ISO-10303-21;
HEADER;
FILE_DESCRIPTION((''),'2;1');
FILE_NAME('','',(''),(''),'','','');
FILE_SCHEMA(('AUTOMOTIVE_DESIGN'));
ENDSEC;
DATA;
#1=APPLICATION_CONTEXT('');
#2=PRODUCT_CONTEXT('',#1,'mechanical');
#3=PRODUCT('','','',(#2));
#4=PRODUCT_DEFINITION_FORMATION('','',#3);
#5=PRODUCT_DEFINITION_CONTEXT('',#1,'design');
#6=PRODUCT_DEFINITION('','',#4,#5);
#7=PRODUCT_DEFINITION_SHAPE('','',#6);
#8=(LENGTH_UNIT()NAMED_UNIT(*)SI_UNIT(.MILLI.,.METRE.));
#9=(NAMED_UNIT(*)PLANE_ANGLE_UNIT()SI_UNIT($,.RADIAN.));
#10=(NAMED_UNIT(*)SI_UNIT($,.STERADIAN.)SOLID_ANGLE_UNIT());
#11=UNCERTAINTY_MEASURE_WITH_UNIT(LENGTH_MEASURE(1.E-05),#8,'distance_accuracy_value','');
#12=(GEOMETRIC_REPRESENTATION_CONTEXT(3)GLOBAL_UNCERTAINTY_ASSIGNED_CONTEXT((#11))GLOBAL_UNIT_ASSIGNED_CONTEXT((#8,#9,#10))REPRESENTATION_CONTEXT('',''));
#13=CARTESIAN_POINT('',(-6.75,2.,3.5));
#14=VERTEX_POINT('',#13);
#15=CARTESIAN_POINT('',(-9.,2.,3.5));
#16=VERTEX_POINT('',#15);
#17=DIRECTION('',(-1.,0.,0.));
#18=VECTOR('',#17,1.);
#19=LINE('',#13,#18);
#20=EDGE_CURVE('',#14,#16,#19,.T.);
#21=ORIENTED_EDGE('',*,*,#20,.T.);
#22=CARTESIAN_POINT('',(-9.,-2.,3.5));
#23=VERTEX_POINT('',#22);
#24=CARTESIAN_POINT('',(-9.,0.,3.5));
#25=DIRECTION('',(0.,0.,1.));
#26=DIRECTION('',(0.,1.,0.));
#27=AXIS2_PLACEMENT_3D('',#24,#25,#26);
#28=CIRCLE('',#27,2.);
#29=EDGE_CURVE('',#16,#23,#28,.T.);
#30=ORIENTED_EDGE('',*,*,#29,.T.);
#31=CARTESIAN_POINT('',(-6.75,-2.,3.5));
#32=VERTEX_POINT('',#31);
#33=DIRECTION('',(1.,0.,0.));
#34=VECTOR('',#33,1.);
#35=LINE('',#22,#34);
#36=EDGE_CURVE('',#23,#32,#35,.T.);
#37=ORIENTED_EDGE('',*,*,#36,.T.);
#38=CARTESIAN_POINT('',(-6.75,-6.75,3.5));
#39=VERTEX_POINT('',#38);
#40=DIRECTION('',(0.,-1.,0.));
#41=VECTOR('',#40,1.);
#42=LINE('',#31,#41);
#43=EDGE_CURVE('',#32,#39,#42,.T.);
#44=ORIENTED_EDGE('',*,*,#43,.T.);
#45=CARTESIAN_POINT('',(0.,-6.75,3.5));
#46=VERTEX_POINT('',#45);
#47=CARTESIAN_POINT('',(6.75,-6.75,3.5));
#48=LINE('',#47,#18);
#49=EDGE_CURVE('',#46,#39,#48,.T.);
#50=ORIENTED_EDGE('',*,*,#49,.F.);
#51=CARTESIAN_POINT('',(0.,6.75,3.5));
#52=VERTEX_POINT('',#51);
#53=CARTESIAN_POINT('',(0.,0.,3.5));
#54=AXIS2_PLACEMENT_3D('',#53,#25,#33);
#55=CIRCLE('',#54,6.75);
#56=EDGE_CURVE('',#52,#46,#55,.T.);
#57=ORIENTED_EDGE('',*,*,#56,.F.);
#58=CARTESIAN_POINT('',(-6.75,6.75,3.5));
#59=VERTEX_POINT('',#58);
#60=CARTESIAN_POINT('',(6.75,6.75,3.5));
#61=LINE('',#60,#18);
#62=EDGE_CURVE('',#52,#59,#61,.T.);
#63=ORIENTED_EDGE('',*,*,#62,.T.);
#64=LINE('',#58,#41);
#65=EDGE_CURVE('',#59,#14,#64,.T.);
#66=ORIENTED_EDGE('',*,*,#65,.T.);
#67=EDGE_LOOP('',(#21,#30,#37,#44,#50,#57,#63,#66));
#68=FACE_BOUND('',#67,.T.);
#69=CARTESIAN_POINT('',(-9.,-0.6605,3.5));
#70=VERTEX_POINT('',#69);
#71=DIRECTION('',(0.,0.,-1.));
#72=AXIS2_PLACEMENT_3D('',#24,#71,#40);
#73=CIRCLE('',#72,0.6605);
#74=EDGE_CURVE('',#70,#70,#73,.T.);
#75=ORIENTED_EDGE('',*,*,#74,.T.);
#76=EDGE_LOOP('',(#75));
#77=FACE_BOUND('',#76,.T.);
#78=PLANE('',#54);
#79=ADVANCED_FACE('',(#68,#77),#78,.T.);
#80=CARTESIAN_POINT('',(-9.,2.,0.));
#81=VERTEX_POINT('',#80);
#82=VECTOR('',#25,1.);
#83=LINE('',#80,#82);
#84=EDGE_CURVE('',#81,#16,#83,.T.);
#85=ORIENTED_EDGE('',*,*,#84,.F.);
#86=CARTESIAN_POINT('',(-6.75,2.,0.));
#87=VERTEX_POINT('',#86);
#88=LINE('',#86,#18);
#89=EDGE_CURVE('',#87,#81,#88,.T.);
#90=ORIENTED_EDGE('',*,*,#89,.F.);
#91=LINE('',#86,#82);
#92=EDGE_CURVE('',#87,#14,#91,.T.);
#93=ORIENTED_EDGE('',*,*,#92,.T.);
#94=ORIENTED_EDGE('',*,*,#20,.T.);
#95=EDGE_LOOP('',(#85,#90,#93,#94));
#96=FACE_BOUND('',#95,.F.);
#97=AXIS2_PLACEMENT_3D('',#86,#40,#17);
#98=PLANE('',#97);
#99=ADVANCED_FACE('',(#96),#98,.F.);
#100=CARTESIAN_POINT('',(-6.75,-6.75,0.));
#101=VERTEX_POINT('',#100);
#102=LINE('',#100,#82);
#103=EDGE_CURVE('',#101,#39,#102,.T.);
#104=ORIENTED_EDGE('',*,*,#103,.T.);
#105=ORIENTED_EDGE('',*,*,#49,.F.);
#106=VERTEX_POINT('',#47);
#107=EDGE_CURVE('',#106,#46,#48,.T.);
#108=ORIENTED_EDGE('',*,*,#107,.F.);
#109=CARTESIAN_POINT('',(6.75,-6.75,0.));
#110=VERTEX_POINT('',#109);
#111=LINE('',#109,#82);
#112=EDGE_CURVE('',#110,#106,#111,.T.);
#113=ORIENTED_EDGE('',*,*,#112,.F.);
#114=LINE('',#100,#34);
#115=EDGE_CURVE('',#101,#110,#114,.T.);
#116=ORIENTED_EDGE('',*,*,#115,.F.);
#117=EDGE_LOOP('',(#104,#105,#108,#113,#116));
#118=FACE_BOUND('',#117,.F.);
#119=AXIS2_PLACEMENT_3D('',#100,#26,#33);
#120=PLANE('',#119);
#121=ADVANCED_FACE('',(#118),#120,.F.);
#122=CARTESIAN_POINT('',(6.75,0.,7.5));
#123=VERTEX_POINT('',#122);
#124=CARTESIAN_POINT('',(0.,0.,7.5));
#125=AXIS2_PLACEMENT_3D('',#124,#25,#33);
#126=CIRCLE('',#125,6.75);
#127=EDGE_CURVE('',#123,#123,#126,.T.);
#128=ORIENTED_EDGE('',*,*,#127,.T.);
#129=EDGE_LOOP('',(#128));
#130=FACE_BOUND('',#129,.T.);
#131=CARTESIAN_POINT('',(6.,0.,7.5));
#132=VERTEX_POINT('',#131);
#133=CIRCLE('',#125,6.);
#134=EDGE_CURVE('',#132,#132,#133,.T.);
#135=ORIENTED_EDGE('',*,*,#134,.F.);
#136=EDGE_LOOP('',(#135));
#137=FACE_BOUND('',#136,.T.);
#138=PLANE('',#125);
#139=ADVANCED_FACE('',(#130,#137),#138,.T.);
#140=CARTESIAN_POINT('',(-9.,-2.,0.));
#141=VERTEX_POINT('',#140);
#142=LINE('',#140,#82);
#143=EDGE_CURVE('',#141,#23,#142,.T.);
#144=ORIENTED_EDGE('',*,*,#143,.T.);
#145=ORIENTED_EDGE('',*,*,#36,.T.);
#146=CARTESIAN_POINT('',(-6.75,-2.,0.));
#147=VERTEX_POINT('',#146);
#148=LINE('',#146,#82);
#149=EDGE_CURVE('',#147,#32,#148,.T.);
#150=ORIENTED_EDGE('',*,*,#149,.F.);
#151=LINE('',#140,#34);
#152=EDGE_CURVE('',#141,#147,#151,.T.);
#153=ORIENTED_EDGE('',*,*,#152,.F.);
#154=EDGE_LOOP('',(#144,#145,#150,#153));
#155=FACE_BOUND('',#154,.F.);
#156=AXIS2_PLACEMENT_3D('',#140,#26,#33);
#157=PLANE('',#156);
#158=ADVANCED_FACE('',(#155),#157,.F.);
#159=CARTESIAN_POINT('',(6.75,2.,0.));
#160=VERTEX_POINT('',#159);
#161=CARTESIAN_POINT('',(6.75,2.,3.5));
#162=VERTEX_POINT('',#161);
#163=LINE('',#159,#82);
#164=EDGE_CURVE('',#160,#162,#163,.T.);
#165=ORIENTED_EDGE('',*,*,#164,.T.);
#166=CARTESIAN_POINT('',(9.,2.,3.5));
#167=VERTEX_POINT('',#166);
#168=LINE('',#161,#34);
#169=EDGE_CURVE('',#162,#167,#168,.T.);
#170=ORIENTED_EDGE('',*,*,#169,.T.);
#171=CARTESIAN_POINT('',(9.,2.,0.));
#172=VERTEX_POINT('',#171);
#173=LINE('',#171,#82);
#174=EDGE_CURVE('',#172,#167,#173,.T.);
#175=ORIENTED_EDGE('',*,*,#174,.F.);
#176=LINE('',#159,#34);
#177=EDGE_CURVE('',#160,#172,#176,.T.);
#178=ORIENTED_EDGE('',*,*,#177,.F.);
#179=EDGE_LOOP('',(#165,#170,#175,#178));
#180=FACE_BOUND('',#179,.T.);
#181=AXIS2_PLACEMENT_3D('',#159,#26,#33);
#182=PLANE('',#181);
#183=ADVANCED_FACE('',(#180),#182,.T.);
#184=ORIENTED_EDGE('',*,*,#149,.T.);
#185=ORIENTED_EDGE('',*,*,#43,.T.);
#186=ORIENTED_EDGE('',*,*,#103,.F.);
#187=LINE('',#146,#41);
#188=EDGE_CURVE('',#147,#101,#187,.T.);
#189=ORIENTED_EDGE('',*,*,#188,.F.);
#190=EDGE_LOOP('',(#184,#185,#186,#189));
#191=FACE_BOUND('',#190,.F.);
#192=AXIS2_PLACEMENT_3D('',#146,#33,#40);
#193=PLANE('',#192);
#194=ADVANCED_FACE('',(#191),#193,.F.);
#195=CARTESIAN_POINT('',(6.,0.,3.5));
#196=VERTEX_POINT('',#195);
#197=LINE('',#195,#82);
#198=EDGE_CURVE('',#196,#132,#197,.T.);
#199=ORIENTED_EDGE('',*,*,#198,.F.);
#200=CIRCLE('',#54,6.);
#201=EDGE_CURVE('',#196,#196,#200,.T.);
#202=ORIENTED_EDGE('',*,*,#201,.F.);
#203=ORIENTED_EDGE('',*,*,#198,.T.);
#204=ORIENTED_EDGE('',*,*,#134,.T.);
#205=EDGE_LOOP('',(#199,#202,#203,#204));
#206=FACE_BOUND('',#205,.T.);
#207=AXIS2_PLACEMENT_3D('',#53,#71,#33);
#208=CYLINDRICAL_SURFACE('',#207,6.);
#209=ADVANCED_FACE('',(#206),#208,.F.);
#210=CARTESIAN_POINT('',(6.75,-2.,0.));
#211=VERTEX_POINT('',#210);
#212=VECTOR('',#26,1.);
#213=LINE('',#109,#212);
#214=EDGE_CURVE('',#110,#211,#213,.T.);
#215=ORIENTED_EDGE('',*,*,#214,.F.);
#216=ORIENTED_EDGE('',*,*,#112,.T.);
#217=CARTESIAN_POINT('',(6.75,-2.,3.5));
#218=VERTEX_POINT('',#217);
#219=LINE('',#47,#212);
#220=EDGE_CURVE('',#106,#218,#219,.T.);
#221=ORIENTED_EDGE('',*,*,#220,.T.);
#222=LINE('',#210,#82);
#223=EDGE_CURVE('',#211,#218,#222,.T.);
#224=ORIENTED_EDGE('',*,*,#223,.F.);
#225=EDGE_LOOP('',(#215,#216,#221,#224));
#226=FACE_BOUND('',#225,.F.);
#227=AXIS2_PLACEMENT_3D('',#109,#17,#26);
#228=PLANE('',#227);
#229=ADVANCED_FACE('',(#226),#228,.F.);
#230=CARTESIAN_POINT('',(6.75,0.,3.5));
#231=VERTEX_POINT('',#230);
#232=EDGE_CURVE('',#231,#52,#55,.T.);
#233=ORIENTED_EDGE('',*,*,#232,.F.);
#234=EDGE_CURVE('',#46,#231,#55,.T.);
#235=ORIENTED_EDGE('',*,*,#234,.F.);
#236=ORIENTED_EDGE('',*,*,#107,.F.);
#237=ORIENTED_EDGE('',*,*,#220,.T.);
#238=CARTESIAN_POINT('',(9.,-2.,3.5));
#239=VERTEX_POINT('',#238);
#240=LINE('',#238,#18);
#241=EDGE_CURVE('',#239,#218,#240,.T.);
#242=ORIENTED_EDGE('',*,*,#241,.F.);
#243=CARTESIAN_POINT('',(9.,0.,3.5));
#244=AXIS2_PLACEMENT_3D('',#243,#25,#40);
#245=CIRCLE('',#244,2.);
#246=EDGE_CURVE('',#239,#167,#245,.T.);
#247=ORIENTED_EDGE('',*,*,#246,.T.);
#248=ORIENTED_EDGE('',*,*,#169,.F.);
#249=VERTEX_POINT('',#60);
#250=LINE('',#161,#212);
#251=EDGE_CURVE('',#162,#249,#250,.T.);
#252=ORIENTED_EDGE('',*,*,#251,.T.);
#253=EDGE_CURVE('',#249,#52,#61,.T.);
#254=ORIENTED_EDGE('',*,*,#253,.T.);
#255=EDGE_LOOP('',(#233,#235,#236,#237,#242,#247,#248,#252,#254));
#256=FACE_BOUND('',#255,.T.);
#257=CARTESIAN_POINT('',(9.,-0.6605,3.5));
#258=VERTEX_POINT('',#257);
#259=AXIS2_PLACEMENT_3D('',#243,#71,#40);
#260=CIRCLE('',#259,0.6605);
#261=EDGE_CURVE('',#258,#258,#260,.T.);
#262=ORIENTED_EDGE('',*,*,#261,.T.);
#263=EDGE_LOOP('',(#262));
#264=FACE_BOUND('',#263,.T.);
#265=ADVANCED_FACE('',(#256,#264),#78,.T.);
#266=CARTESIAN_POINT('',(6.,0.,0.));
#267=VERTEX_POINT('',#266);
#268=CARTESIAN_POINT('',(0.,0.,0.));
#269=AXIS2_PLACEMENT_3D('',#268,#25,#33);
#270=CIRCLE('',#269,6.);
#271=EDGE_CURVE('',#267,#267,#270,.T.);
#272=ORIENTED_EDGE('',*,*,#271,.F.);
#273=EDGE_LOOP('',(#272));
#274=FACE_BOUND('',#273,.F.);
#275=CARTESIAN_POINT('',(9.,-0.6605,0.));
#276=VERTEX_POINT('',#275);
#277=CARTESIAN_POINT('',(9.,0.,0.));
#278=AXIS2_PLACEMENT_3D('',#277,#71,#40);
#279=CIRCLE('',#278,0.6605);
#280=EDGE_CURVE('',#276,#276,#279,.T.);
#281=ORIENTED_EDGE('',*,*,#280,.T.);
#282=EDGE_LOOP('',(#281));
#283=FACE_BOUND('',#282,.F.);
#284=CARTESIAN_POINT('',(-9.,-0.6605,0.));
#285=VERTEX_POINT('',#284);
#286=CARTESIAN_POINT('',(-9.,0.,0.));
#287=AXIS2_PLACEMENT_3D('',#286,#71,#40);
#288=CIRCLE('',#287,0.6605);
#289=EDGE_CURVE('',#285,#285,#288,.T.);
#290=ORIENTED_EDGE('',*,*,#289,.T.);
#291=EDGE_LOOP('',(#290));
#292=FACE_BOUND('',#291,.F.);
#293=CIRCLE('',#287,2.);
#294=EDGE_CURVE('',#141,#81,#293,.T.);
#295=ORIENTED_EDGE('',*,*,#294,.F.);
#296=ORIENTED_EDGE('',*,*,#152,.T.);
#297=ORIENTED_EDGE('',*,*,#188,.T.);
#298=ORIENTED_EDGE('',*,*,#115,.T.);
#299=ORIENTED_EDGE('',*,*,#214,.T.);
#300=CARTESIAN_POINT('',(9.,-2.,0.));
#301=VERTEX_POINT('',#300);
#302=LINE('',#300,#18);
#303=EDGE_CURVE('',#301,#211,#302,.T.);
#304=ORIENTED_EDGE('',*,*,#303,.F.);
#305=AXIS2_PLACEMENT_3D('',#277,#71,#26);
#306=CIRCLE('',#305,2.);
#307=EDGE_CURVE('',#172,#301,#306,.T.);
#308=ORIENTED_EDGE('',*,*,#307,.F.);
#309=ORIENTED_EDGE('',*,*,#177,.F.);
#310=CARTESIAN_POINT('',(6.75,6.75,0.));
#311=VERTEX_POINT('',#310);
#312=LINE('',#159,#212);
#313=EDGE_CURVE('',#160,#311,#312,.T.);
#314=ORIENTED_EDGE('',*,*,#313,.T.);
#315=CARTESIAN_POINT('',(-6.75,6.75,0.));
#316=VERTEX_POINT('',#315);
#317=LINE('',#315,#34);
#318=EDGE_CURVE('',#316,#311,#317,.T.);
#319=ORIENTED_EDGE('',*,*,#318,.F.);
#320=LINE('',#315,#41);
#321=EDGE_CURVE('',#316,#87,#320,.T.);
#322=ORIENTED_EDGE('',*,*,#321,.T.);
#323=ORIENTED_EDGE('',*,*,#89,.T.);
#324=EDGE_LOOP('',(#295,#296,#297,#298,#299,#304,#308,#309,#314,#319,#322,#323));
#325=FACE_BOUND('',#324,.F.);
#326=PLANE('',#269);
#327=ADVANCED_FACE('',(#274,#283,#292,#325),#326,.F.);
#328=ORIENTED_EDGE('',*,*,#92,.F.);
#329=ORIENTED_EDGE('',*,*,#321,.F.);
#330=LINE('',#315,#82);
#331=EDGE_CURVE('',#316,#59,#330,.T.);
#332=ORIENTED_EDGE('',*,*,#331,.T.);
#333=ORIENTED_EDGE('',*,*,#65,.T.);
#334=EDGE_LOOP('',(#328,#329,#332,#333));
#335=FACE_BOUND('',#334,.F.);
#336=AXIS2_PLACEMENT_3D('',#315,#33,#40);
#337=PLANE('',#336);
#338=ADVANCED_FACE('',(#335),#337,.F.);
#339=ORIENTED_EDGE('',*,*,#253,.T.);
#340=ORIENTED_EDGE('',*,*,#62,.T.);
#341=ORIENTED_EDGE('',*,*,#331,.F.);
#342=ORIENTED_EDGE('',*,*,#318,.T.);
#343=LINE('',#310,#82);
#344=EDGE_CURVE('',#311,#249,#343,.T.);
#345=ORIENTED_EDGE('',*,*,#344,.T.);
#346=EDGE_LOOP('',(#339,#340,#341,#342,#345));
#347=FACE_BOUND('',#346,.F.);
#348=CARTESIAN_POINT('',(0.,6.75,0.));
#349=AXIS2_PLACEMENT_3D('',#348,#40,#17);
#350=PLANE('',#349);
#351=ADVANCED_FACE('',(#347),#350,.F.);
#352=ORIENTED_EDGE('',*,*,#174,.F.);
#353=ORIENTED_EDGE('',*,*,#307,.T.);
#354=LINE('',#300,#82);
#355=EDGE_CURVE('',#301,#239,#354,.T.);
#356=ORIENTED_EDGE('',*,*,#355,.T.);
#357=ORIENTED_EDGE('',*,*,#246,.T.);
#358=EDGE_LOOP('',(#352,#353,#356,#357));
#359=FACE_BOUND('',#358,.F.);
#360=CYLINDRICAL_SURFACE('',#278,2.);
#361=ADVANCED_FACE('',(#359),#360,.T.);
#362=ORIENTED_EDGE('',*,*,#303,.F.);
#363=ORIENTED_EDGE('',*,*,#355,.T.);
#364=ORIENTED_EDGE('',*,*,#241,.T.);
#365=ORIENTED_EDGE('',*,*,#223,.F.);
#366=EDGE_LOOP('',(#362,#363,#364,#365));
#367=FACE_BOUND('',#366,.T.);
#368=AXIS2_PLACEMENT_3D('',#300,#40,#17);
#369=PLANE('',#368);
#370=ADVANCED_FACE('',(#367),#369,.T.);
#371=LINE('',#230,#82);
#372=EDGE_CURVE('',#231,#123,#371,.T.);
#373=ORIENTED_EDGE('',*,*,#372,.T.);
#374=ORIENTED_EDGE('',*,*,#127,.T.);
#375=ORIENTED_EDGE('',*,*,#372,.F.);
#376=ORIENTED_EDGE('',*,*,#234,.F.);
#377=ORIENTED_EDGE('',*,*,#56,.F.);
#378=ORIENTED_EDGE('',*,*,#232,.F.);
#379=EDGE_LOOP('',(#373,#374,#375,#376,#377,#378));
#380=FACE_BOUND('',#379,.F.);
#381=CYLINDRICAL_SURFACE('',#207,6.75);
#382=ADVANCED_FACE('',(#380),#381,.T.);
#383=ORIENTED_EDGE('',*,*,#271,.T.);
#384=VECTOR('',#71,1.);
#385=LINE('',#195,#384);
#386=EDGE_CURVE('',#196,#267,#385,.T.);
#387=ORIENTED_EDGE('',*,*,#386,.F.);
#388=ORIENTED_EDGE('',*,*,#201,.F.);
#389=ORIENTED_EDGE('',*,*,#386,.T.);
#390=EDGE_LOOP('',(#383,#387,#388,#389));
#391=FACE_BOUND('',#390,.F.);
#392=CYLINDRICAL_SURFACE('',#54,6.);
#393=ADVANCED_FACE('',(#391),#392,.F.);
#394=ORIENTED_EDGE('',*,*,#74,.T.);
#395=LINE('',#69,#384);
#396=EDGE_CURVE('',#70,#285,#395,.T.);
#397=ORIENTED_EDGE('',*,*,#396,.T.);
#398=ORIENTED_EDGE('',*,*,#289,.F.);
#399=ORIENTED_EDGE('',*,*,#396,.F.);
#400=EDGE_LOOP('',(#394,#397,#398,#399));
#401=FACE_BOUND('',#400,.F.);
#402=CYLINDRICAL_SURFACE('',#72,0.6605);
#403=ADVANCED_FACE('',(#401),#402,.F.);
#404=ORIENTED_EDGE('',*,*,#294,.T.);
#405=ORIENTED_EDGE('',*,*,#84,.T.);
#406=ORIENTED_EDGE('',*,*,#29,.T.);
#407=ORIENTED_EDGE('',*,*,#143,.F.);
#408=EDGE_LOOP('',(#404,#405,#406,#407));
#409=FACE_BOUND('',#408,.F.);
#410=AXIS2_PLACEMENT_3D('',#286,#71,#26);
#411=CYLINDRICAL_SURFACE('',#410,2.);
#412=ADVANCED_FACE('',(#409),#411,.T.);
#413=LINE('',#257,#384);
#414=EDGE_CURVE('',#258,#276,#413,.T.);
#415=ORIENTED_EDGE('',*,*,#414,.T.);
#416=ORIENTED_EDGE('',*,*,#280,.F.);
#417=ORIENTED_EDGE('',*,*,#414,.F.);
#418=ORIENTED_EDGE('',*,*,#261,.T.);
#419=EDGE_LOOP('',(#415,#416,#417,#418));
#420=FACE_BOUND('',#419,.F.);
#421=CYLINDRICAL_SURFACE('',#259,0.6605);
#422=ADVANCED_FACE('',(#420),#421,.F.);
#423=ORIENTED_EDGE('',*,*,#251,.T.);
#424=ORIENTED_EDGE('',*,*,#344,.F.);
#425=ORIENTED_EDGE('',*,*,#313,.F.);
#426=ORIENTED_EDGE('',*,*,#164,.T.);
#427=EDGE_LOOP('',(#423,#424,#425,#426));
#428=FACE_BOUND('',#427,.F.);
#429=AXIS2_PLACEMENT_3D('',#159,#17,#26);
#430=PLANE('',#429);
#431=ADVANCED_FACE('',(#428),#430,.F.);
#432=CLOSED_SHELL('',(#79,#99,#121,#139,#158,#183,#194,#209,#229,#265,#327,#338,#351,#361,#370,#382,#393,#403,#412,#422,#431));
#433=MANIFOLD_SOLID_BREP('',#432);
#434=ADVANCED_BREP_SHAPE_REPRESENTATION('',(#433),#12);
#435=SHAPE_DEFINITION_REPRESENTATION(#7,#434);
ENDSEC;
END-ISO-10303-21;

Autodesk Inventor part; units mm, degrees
ref_plane "YZ Plane" through (0, 0, 0) normal (1, 0, 0) x (0, 1, 0)
ref_plane "XZ Plane" through (0, 0, 0) normal (0, 1, 0) x (-1, 0, 0)
ref_plane "XY Plane" through (0, 0, 0) normal (0, 0, 1) x (1, 0, 0)
sketch "Skizze1" plane through (0, 0, 0) normal (0, 0, 1) x (1, 0, 0)
  line L0 (-6.75, -6.75) -> (6.75, -6.75)
  line L1 (6.75, 6.75) -> (-6.75, 6.75)
  line L2 (-6.75, -6.75) -> (6.75, 6.75) construction
  line L3 (6.75, -6.75) -> (-6.75, 6.75) construction
  line L4 (-6.75, 2) -> (-9, 2)
  line L5 (-9, -2) -> (-6.75, -2)
  line L6 (6.75, 2) -> (9, 2)
  line L7 (9, -2) -> (6.75, -2)
  arc A0 (-9, 2) -> (-9, -2) centre (-9, 0) ccw
  arc A1 (9, -2) -> (9, 2) centre (9, 0) ccw
  line L8 (-6.75, 6.75) -> (-6.75, 2)
  line L9 (-6.75, -2) -> (-6.75, -6.75)
  line L10 (6.75, -6.75) -> (6.75, -2)
  line L11 (6.75, 2) -> (6.75, 6.75)
  line L12 (0, 9.45) -> (0, -9.45) projected
  line L13 (-15.4, 0) -> (15.4, 0) projected
  point P0 (0, 0)
  dimension "d0" = 13.5
  dimension "d1" = 13.5
  dimension "d2" = 18
  dimension "d3" = 4
extrude "Extrusion1" add sketch "Skizze1" along normal blind 3.5
sketch "Skizze4" plane through (0, 0, 3.5) normal (0, 0, 1) x (1, 0, 0)
  arc A0 (-9, 2) -> (-9, -2) centre (-9, 0) ccw projected
  arc A1 (9, -2) -> (9, 2) centre (9, 0) ccw projected
  point P0 (0, 0)
hole "Bohrung1" at (-9, 0, 3.5) at (9, 0, 3.5) direction (0, 0, -1) diameter 1.321 end through all thread size "M1.7x0.35" class "6H" standard "ISO Metric profile"
sketch "Skizze2" plane through (0, 0, 3.5) normal (0, 0, 1) x (1, 0, 0)
  circle A0 centre (0, 0) radius 6.75
  circle A1 centre (0, 0) radius 6
  dimension "d6" = 13.5
  dimension "d7" = 12
extrude "Extrusion2" add sketch "Skizze2" along normal blind 4
thread "Gewinde1" size "M12x0.5" class "6H" standard "ANSI Metric M Profile" full length
sketch "Skizze3" plane through (0, 0, 3.5) normal (0, 0, 1) x (1, 0, 0)
  circle A0 centre (0, 0) radius 6 projected
extrude "Extrusion3" cut sketch "Skizze3" against normal through all
properties part number "Linsenhalter M12" material "PC/ABS-Kunststoff"
